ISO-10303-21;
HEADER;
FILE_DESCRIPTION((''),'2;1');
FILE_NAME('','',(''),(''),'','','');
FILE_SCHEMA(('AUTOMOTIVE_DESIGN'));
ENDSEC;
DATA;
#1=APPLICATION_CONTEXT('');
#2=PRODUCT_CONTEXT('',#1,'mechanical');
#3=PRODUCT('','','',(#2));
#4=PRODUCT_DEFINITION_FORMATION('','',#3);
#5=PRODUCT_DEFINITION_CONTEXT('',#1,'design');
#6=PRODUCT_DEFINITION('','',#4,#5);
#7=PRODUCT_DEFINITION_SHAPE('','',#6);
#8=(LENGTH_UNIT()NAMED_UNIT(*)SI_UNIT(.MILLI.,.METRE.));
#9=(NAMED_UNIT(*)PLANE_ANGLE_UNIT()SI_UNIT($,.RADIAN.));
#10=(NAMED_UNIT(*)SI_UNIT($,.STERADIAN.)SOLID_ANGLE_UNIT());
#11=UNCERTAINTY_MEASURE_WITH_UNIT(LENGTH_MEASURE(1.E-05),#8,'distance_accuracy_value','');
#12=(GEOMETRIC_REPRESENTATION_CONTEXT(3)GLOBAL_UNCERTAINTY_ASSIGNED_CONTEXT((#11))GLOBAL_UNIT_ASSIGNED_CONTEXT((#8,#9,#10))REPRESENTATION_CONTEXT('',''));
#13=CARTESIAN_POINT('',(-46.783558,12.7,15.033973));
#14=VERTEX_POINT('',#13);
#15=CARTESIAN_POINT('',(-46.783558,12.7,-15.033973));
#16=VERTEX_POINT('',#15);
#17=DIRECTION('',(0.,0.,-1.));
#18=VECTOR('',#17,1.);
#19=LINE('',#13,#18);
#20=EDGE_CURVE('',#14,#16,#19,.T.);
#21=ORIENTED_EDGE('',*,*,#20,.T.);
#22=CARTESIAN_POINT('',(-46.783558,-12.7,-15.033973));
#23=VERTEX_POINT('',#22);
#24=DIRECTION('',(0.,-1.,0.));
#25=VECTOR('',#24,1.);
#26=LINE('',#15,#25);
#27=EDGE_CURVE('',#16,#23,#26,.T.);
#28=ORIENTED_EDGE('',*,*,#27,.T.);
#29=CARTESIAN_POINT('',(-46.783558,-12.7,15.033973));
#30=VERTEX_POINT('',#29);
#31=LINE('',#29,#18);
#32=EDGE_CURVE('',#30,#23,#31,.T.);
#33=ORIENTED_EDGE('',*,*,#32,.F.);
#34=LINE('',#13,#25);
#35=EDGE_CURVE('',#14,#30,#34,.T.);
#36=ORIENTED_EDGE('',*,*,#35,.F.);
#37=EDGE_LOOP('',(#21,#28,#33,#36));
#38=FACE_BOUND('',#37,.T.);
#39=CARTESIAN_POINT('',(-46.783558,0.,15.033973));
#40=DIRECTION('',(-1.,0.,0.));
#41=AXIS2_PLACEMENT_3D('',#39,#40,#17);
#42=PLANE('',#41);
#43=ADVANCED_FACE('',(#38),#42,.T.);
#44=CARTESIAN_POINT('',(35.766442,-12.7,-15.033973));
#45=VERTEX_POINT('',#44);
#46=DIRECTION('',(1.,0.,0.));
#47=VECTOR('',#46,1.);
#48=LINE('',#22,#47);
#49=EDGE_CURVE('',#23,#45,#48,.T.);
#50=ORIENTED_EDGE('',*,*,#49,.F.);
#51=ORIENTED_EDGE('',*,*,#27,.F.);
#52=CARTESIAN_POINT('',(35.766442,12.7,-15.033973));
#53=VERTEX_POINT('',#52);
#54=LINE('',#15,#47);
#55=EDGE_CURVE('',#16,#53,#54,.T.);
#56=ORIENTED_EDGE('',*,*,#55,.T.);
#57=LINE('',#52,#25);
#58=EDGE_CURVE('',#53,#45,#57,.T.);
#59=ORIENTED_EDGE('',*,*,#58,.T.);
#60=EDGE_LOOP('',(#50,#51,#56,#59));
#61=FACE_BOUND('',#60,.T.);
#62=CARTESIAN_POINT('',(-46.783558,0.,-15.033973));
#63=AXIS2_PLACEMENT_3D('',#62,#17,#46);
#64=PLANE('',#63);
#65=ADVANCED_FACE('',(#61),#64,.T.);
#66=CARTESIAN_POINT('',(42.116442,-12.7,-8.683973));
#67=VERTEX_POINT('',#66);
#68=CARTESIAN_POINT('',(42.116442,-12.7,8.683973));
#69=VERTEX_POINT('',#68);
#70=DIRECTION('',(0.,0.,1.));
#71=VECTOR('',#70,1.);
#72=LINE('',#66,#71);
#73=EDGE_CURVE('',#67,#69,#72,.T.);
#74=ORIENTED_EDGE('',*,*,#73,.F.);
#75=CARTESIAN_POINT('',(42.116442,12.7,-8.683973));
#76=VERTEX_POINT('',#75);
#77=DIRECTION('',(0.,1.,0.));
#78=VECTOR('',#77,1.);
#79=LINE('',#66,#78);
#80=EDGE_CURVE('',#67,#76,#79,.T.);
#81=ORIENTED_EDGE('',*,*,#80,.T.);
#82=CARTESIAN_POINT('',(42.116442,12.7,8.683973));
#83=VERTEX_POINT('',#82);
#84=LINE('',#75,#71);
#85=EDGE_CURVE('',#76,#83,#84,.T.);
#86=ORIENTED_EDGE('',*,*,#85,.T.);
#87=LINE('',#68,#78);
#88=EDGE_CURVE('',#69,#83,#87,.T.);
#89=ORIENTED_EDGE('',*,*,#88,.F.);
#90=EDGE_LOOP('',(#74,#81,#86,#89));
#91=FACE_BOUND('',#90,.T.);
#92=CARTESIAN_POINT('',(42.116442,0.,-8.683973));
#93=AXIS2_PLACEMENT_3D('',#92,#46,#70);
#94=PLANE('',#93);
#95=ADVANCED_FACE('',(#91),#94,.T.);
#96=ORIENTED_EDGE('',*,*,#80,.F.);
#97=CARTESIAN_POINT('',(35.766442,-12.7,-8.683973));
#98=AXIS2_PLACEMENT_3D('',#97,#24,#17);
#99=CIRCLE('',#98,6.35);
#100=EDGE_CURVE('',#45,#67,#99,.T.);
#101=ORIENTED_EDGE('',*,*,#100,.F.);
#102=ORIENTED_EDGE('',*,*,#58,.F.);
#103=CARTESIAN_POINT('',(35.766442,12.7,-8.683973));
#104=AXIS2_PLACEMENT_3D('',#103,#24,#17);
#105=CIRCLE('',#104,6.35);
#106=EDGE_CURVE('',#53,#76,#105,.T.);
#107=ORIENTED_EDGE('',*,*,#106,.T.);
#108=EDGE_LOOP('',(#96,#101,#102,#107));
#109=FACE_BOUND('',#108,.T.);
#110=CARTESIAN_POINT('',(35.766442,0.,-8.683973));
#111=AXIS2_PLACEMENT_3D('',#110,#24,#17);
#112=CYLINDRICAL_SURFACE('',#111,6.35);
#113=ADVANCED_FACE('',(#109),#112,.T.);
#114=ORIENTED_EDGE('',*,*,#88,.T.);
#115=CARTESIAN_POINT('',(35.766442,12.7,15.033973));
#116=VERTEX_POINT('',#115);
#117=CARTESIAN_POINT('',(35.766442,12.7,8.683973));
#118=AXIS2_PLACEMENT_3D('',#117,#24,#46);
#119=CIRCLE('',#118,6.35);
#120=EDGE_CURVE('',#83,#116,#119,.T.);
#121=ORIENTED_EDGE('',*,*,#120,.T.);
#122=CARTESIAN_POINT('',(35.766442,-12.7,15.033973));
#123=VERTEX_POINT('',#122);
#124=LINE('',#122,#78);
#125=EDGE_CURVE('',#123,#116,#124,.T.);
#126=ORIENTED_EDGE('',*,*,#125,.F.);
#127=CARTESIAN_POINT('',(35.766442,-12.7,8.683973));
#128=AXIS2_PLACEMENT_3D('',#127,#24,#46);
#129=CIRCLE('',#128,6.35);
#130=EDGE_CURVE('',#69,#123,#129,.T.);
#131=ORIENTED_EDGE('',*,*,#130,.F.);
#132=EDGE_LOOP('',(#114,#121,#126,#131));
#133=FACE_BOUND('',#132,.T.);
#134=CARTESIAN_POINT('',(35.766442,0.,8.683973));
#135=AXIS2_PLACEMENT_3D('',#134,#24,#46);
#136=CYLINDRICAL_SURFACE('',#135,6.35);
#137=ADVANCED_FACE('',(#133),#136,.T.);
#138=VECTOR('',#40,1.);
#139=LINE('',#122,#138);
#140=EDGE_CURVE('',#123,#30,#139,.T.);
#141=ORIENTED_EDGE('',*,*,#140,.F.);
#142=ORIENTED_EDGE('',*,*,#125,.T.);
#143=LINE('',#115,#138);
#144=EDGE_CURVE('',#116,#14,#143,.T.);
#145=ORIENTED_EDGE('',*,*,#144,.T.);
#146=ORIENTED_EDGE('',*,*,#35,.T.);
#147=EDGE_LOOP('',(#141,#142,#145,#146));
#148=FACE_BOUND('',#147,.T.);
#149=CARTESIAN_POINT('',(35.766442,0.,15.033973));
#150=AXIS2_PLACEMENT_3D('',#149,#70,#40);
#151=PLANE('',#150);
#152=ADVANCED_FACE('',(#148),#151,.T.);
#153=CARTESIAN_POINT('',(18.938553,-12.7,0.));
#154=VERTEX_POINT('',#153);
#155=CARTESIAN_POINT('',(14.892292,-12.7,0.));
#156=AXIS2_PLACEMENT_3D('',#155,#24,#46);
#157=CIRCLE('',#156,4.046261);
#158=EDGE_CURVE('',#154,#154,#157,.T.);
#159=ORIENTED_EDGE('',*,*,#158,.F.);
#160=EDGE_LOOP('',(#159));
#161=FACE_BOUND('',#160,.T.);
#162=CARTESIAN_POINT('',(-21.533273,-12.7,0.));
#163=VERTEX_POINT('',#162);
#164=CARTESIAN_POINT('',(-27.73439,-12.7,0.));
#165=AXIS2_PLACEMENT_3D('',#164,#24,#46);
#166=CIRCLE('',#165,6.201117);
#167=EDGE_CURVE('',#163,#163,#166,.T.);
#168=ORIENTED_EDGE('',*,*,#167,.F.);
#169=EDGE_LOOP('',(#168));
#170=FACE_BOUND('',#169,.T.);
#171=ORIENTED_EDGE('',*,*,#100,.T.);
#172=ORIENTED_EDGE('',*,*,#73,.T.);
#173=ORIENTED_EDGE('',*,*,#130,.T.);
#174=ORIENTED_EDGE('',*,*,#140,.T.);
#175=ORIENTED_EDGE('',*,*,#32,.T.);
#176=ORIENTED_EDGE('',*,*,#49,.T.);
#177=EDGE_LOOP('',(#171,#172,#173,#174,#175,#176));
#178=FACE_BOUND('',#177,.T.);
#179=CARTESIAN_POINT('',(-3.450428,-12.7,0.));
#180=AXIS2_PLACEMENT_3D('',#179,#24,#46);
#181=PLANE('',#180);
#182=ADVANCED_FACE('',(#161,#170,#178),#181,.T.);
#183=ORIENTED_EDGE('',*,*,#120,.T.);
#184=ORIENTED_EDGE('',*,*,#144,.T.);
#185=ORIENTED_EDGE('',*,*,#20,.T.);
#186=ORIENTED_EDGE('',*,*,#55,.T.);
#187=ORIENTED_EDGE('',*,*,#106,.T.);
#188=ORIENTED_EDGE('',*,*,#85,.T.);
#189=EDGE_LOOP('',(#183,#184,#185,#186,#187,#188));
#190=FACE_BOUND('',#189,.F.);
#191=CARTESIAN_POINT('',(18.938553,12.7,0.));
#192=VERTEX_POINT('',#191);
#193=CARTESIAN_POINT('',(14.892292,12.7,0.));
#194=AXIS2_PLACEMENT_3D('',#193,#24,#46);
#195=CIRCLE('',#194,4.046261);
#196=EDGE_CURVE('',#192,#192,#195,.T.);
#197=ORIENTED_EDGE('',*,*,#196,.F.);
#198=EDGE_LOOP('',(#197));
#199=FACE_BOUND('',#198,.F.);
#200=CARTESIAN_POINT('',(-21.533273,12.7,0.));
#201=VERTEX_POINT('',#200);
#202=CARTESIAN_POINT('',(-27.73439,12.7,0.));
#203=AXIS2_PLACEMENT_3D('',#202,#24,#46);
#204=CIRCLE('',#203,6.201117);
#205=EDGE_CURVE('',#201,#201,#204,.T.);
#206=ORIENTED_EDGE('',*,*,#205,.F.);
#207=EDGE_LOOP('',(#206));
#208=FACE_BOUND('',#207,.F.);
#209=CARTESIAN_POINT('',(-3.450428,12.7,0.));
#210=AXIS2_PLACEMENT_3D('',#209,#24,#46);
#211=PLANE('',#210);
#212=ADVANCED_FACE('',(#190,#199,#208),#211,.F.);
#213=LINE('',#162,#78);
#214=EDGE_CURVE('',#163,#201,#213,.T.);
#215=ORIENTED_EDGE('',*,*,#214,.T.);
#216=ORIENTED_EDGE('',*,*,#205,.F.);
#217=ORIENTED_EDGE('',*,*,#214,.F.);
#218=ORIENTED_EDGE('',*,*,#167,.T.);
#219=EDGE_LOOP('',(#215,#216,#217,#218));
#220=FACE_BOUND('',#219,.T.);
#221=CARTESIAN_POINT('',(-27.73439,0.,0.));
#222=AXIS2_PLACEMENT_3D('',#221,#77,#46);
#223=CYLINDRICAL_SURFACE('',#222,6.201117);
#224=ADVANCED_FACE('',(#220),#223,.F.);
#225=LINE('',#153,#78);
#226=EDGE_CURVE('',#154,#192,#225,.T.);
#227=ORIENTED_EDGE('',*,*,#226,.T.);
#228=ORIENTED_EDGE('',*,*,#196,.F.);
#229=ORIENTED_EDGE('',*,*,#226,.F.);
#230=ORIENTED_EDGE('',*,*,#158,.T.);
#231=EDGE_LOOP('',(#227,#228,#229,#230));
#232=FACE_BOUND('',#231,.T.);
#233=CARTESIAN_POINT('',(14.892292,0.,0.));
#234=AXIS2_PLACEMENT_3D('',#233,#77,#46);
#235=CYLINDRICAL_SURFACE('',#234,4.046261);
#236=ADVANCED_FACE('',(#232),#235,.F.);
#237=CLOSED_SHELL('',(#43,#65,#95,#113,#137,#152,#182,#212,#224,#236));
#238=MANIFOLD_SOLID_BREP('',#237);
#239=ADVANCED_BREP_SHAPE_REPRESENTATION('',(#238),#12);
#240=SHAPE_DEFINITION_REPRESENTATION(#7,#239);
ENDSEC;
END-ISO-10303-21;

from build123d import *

# Parameters (mm, degrees)
F0_R     = 6.2011167501
F0_R_2   = 4.0462607589
F1_DEPTH = 12.7


with BuildPart() as f1:
    # F0 (on Front) → F1 (new body, symmetric)
    with BuildSketch(Plane.XZ):
        with BuildLine():
            Line((35.7664418355, 15.0339733809), (-46.7835581645, 15.0339733809))
            Line((-46.7835581645, 15.0339733809), (-46.7835581645, -15.0339733809))
            Line((-46.7835581645, -15.0339733809), (35.7664418355, -15.0339733809))
            ThreePointArc((35.7664418355, -15.0339733809), (40.256569896, -13.1741014415), (42.1164418355, -8.6839733809))
            Line((42.1164418355, -8.6839733809), (42.1164418355, 8.6839733809))
            ThreePointArc((42.1164418355, 8.6839733809), (40.256569896, 13.1741014415), (35.7664418355, 15.0339733809))
        make_face()
        with Locations((-27.7343895286, 0)):
            Circle(F0_R, mode=Mode.SUBTRACT)
        with Locations((14.892292209, 0)):
            Circle(F0_R_2, mode=Mode.SUBTRACT)
    extrude(amount=F1_DEPTH, both=True)


solid = f1.part
